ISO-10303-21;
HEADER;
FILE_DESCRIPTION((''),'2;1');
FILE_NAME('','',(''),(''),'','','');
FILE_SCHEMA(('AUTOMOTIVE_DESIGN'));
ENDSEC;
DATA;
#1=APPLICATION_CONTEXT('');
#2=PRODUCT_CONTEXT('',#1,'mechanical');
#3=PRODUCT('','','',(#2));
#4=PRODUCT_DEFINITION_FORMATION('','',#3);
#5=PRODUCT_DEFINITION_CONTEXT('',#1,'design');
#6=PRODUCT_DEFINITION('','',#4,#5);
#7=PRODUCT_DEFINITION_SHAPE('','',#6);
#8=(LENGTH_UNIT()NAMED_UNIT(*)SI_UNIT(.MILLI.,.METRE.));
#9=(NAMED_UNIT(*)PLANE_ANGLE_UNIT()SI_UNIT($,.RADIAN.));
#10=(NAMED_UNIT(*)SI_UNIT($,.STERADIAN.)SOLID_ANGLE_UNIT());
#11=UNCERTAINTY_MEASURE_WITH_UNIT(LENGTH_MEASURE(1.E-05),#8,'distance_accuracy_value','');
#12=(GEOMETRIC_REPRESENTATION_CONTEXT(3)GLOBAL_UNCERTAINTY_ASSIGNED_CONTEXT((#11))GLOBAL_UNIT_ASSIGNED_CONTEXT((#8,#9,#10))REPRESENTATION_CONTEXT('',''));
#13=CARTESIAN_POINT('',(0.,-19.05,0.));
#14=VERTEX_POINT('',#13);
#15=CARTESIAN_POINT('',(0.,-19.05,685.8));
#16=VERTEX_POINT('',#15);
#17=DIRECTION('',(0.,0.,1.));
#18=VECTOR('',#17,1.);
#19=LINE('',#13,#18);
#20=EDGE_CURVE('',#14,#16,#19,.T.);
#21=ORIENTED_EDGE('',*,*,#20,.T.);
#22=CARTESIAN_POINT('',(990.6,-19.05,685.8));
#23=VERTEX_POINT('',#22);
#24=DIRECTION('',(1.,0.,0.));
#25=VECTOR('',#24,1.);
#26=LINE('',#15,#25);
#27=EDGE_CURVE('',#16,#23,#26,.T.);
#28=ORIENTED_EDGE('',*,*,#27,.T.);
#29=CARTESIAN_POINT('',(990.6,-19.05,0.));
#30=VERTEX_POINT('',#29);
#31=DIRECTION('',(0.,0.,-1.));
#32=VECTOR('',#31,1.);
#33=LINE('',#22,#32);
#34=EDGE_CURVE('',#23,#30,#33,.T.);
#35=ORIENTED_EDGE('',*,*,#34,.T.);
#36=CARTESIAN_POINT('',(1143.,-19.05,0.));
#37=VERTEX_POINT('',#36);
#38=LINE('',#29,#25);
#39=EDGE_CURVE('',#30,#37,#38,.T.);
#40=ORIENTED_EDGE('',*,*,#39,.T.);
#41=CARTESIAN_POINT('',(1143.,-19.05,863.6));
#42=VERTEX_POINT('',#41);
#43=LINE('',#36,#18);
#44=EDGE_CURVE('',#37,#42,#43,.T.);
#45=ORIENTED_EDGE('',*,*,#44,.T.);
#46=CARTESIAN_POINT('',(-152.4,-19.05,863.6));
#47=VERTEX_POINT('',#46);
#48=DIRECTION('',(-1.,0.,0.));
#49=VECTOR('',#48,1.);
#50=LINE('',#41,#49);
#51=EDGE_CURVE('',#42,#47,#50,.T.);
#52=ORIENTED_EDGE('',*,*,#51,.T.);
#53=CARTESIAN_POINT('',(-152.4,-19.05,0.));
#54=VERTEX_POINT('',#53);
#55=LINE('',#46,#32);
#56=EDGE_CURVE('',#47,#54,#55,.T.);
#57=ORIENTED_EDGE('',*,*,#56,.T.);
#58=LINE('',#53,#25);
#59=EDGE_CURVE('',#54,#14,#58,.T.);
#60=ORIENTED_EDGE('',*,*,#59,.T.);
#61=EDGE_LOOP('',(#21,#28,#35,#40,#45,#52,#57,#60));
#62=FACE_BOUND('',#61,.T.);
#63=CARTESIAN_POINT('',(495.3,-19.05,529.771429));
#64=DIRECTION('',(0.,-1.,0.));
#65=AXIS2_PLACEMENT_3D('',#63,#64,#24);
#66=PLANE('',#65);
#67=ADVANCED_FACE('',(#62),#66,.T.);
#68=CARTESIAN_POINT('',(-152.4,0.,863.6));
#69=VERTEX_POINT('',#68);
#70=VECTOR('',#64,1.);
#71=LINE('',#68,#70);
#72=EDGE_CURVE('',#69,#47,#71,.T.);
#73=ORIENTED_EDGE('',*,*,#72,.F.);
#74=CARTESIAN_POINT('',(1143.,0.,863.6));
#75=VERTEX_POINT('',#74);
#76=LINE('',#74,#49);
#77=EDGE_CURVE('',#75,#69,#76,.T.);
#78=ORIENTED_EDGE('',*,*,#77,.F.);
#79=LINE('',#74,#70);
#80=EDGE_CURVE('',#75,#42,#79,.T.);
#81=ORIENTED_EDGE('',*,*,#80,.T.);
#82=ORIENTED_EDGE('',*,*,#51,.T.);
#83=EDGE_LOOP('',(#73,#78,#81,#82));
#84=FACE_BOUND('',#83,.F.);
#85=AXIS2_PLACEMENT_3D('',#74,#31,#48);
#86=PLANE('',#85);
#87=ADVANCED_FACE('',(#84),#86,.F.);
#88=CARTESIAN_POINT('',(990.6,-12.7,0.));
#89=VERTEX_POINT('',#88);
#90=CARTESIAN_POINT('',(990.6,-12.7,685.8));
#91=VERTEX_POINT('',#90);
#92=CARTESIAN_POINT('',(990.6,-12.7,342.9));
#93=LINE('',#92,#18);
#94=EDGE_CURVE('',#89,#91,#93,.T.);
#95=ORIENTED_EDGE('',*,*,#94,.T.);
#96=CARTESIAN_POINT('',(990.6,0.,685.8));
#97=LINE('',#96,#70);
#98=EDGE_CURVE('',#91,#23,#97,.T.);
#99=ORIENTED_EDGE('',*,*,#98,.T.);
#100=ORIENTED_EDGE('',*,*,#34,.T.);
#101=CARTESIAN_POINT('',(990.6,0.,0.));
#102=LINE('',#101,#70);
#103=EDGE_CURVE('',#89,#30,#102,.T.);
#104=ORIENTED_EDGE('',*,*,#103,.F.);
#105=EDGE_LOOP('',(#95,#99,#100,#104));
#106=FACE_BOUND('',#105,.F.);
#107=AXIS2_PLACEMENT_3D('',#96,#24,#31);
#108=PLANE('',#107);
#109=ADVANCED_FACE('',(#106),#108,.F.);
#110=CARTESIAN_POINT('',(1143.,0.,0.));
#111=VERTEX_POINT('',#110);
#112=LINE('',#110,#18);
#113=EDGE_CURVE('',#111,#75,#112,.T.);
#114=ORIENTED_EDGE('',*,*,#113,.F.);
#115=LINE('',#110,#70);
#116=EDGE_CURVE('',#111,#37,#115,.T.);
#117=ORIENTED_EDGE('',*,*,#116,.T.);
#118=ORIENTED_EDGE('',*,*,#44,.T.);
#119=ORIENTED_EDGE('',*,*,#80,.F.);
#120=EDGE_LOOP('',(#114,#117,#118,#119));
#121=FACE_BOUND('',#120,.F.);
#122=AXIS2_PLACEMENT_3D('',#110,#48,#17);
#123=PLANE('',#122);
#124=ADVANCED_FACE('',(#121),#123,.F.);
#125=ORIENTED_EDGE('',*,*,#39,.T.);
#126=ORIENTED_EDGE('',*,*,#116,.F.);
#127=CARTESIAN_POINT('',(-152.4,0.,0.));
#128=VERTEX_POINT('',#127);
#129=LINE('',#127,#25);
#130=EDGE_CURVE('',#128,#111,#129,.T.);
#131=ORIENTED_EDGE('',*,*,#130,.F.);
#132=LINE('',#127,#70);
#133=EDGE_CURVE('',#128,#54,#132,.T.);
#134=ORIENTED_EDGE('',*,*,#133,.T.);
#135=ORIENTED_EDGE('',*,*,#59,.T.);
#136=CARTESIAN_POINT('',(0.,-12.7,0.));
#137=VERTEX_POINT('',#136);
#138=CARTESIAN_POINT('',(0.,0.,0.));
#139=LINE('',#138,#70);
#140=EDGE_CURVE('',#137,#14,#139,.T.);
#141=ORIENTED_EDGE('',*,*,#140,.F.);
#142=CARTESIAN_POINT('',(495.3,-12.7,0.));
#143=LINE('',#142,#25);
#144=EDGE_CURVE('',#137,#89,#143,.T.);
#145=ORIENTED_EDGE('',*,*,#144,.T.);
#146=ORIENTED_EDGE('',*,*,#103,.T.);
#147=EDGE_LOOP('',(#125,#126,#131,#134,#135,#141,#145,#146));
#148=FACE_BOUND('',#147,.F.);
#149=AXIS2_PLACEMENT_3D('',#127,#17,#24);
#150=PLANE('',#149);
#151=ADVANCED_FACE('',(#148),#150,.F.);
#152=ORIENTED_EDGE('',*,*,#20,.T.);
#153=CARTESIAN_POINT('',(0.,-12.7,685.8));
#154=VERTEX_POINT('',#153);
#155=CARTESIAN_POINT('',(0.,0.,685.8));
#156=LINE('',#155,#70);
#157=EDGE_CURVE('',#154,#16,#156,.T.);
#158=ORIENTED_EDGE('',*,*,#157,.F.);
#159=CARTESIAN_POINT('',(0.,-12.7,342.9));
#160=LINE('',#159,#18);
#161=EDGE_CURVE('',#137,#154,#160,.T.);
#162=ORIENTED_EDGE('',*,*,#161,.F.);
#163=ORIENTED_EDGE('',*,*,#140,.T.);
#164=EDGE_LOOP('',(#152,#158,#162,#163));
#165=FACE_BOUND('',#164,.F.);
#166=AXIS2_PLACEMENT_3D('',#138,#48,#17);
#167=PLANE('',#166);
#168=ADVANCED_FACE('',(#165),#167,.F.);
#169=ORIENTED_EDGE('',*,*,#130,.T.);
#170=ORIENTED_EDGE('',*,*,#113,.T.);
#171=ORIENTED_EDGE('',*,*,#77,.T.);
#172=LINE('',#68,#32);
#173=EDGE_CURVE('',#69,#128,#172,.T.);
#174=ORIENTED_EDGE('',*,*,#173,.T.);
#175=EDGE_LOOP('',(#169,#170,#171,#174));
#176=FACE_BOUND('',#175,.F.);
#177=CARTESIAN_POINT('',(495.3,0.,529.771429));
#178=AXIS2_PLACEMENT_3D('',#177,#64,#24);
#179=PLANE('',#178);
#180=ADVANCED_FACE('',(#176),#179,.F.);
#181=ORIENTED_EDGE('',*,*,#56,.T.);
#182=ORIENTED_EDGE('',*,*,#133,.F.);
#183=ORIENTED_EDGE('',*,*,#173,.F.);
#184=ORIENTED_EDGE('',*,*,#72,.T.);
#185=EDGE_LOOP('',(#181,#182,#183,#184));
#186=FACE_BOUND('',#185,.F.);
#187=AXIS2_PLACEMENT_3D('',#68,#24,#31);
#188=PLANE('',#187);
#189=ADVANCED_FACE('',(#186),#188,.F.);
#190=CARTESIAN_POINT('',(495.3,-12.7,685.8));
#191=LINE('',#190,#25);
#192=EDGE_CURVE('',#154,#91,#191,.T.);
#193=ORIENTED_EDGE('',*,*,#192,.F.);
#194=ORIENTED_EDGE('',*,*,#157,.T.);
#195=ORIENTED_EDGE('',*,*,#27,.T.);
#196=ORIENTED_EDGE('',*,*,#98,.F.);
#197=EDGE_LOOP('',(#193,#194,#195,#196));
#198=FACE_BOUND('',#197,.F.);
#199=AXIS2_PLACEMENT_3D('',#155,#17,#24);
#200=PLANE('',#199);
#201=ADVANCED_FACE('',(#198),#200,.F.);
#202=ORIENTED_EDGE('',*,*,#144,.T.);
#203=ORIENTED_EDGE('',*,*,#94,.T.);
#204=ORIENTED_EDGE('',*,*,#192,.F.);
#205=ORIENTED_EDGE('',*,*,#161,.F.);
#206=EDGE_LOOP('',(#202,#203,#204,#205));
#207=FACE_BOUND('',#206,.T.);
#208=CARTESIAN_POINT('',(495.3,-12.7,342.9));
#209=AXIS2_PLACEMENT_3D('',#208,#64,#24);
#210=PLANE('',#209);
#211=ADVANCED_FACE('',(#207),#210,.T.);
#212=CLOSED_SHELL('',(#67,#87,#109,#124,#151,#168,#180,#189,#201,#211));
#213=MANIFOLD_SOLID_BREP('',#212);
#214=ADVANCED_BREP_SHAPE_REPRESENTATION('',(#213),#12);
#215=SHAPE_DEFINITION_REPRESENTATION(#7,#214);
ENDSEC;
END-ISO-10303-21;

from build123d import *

# Parameters (mm, degrees)
F0_W     = 990.6
F0_H     = 685.8
F1_DEPTH = 12.7
F3_DEPTH = 19.05


with BuildPart() as f1:
    # F0 (on Front) → F1 (new body)
    with BuildSketch(Plane.XZ):
        with Locations((495.3, 342.9)):
            Rectangle(F0_W, F0_H)
    extrude(amount=F1_DEPTH)

    # F2 (on Front) → F3 (join)
    with BuildSketch(Plane.XZ):
        Polygon((-152.4, 0), (0, 0), (0, 685.8), (990.6, 685.8), (990.6, 0), (1143, 0), (1143, 863.6), (990.6, 863.6), (0, 863.6), (-152.4, 863.6), align=None)
    extrude(amount=F3_DEPTH)


solid = f1.part
